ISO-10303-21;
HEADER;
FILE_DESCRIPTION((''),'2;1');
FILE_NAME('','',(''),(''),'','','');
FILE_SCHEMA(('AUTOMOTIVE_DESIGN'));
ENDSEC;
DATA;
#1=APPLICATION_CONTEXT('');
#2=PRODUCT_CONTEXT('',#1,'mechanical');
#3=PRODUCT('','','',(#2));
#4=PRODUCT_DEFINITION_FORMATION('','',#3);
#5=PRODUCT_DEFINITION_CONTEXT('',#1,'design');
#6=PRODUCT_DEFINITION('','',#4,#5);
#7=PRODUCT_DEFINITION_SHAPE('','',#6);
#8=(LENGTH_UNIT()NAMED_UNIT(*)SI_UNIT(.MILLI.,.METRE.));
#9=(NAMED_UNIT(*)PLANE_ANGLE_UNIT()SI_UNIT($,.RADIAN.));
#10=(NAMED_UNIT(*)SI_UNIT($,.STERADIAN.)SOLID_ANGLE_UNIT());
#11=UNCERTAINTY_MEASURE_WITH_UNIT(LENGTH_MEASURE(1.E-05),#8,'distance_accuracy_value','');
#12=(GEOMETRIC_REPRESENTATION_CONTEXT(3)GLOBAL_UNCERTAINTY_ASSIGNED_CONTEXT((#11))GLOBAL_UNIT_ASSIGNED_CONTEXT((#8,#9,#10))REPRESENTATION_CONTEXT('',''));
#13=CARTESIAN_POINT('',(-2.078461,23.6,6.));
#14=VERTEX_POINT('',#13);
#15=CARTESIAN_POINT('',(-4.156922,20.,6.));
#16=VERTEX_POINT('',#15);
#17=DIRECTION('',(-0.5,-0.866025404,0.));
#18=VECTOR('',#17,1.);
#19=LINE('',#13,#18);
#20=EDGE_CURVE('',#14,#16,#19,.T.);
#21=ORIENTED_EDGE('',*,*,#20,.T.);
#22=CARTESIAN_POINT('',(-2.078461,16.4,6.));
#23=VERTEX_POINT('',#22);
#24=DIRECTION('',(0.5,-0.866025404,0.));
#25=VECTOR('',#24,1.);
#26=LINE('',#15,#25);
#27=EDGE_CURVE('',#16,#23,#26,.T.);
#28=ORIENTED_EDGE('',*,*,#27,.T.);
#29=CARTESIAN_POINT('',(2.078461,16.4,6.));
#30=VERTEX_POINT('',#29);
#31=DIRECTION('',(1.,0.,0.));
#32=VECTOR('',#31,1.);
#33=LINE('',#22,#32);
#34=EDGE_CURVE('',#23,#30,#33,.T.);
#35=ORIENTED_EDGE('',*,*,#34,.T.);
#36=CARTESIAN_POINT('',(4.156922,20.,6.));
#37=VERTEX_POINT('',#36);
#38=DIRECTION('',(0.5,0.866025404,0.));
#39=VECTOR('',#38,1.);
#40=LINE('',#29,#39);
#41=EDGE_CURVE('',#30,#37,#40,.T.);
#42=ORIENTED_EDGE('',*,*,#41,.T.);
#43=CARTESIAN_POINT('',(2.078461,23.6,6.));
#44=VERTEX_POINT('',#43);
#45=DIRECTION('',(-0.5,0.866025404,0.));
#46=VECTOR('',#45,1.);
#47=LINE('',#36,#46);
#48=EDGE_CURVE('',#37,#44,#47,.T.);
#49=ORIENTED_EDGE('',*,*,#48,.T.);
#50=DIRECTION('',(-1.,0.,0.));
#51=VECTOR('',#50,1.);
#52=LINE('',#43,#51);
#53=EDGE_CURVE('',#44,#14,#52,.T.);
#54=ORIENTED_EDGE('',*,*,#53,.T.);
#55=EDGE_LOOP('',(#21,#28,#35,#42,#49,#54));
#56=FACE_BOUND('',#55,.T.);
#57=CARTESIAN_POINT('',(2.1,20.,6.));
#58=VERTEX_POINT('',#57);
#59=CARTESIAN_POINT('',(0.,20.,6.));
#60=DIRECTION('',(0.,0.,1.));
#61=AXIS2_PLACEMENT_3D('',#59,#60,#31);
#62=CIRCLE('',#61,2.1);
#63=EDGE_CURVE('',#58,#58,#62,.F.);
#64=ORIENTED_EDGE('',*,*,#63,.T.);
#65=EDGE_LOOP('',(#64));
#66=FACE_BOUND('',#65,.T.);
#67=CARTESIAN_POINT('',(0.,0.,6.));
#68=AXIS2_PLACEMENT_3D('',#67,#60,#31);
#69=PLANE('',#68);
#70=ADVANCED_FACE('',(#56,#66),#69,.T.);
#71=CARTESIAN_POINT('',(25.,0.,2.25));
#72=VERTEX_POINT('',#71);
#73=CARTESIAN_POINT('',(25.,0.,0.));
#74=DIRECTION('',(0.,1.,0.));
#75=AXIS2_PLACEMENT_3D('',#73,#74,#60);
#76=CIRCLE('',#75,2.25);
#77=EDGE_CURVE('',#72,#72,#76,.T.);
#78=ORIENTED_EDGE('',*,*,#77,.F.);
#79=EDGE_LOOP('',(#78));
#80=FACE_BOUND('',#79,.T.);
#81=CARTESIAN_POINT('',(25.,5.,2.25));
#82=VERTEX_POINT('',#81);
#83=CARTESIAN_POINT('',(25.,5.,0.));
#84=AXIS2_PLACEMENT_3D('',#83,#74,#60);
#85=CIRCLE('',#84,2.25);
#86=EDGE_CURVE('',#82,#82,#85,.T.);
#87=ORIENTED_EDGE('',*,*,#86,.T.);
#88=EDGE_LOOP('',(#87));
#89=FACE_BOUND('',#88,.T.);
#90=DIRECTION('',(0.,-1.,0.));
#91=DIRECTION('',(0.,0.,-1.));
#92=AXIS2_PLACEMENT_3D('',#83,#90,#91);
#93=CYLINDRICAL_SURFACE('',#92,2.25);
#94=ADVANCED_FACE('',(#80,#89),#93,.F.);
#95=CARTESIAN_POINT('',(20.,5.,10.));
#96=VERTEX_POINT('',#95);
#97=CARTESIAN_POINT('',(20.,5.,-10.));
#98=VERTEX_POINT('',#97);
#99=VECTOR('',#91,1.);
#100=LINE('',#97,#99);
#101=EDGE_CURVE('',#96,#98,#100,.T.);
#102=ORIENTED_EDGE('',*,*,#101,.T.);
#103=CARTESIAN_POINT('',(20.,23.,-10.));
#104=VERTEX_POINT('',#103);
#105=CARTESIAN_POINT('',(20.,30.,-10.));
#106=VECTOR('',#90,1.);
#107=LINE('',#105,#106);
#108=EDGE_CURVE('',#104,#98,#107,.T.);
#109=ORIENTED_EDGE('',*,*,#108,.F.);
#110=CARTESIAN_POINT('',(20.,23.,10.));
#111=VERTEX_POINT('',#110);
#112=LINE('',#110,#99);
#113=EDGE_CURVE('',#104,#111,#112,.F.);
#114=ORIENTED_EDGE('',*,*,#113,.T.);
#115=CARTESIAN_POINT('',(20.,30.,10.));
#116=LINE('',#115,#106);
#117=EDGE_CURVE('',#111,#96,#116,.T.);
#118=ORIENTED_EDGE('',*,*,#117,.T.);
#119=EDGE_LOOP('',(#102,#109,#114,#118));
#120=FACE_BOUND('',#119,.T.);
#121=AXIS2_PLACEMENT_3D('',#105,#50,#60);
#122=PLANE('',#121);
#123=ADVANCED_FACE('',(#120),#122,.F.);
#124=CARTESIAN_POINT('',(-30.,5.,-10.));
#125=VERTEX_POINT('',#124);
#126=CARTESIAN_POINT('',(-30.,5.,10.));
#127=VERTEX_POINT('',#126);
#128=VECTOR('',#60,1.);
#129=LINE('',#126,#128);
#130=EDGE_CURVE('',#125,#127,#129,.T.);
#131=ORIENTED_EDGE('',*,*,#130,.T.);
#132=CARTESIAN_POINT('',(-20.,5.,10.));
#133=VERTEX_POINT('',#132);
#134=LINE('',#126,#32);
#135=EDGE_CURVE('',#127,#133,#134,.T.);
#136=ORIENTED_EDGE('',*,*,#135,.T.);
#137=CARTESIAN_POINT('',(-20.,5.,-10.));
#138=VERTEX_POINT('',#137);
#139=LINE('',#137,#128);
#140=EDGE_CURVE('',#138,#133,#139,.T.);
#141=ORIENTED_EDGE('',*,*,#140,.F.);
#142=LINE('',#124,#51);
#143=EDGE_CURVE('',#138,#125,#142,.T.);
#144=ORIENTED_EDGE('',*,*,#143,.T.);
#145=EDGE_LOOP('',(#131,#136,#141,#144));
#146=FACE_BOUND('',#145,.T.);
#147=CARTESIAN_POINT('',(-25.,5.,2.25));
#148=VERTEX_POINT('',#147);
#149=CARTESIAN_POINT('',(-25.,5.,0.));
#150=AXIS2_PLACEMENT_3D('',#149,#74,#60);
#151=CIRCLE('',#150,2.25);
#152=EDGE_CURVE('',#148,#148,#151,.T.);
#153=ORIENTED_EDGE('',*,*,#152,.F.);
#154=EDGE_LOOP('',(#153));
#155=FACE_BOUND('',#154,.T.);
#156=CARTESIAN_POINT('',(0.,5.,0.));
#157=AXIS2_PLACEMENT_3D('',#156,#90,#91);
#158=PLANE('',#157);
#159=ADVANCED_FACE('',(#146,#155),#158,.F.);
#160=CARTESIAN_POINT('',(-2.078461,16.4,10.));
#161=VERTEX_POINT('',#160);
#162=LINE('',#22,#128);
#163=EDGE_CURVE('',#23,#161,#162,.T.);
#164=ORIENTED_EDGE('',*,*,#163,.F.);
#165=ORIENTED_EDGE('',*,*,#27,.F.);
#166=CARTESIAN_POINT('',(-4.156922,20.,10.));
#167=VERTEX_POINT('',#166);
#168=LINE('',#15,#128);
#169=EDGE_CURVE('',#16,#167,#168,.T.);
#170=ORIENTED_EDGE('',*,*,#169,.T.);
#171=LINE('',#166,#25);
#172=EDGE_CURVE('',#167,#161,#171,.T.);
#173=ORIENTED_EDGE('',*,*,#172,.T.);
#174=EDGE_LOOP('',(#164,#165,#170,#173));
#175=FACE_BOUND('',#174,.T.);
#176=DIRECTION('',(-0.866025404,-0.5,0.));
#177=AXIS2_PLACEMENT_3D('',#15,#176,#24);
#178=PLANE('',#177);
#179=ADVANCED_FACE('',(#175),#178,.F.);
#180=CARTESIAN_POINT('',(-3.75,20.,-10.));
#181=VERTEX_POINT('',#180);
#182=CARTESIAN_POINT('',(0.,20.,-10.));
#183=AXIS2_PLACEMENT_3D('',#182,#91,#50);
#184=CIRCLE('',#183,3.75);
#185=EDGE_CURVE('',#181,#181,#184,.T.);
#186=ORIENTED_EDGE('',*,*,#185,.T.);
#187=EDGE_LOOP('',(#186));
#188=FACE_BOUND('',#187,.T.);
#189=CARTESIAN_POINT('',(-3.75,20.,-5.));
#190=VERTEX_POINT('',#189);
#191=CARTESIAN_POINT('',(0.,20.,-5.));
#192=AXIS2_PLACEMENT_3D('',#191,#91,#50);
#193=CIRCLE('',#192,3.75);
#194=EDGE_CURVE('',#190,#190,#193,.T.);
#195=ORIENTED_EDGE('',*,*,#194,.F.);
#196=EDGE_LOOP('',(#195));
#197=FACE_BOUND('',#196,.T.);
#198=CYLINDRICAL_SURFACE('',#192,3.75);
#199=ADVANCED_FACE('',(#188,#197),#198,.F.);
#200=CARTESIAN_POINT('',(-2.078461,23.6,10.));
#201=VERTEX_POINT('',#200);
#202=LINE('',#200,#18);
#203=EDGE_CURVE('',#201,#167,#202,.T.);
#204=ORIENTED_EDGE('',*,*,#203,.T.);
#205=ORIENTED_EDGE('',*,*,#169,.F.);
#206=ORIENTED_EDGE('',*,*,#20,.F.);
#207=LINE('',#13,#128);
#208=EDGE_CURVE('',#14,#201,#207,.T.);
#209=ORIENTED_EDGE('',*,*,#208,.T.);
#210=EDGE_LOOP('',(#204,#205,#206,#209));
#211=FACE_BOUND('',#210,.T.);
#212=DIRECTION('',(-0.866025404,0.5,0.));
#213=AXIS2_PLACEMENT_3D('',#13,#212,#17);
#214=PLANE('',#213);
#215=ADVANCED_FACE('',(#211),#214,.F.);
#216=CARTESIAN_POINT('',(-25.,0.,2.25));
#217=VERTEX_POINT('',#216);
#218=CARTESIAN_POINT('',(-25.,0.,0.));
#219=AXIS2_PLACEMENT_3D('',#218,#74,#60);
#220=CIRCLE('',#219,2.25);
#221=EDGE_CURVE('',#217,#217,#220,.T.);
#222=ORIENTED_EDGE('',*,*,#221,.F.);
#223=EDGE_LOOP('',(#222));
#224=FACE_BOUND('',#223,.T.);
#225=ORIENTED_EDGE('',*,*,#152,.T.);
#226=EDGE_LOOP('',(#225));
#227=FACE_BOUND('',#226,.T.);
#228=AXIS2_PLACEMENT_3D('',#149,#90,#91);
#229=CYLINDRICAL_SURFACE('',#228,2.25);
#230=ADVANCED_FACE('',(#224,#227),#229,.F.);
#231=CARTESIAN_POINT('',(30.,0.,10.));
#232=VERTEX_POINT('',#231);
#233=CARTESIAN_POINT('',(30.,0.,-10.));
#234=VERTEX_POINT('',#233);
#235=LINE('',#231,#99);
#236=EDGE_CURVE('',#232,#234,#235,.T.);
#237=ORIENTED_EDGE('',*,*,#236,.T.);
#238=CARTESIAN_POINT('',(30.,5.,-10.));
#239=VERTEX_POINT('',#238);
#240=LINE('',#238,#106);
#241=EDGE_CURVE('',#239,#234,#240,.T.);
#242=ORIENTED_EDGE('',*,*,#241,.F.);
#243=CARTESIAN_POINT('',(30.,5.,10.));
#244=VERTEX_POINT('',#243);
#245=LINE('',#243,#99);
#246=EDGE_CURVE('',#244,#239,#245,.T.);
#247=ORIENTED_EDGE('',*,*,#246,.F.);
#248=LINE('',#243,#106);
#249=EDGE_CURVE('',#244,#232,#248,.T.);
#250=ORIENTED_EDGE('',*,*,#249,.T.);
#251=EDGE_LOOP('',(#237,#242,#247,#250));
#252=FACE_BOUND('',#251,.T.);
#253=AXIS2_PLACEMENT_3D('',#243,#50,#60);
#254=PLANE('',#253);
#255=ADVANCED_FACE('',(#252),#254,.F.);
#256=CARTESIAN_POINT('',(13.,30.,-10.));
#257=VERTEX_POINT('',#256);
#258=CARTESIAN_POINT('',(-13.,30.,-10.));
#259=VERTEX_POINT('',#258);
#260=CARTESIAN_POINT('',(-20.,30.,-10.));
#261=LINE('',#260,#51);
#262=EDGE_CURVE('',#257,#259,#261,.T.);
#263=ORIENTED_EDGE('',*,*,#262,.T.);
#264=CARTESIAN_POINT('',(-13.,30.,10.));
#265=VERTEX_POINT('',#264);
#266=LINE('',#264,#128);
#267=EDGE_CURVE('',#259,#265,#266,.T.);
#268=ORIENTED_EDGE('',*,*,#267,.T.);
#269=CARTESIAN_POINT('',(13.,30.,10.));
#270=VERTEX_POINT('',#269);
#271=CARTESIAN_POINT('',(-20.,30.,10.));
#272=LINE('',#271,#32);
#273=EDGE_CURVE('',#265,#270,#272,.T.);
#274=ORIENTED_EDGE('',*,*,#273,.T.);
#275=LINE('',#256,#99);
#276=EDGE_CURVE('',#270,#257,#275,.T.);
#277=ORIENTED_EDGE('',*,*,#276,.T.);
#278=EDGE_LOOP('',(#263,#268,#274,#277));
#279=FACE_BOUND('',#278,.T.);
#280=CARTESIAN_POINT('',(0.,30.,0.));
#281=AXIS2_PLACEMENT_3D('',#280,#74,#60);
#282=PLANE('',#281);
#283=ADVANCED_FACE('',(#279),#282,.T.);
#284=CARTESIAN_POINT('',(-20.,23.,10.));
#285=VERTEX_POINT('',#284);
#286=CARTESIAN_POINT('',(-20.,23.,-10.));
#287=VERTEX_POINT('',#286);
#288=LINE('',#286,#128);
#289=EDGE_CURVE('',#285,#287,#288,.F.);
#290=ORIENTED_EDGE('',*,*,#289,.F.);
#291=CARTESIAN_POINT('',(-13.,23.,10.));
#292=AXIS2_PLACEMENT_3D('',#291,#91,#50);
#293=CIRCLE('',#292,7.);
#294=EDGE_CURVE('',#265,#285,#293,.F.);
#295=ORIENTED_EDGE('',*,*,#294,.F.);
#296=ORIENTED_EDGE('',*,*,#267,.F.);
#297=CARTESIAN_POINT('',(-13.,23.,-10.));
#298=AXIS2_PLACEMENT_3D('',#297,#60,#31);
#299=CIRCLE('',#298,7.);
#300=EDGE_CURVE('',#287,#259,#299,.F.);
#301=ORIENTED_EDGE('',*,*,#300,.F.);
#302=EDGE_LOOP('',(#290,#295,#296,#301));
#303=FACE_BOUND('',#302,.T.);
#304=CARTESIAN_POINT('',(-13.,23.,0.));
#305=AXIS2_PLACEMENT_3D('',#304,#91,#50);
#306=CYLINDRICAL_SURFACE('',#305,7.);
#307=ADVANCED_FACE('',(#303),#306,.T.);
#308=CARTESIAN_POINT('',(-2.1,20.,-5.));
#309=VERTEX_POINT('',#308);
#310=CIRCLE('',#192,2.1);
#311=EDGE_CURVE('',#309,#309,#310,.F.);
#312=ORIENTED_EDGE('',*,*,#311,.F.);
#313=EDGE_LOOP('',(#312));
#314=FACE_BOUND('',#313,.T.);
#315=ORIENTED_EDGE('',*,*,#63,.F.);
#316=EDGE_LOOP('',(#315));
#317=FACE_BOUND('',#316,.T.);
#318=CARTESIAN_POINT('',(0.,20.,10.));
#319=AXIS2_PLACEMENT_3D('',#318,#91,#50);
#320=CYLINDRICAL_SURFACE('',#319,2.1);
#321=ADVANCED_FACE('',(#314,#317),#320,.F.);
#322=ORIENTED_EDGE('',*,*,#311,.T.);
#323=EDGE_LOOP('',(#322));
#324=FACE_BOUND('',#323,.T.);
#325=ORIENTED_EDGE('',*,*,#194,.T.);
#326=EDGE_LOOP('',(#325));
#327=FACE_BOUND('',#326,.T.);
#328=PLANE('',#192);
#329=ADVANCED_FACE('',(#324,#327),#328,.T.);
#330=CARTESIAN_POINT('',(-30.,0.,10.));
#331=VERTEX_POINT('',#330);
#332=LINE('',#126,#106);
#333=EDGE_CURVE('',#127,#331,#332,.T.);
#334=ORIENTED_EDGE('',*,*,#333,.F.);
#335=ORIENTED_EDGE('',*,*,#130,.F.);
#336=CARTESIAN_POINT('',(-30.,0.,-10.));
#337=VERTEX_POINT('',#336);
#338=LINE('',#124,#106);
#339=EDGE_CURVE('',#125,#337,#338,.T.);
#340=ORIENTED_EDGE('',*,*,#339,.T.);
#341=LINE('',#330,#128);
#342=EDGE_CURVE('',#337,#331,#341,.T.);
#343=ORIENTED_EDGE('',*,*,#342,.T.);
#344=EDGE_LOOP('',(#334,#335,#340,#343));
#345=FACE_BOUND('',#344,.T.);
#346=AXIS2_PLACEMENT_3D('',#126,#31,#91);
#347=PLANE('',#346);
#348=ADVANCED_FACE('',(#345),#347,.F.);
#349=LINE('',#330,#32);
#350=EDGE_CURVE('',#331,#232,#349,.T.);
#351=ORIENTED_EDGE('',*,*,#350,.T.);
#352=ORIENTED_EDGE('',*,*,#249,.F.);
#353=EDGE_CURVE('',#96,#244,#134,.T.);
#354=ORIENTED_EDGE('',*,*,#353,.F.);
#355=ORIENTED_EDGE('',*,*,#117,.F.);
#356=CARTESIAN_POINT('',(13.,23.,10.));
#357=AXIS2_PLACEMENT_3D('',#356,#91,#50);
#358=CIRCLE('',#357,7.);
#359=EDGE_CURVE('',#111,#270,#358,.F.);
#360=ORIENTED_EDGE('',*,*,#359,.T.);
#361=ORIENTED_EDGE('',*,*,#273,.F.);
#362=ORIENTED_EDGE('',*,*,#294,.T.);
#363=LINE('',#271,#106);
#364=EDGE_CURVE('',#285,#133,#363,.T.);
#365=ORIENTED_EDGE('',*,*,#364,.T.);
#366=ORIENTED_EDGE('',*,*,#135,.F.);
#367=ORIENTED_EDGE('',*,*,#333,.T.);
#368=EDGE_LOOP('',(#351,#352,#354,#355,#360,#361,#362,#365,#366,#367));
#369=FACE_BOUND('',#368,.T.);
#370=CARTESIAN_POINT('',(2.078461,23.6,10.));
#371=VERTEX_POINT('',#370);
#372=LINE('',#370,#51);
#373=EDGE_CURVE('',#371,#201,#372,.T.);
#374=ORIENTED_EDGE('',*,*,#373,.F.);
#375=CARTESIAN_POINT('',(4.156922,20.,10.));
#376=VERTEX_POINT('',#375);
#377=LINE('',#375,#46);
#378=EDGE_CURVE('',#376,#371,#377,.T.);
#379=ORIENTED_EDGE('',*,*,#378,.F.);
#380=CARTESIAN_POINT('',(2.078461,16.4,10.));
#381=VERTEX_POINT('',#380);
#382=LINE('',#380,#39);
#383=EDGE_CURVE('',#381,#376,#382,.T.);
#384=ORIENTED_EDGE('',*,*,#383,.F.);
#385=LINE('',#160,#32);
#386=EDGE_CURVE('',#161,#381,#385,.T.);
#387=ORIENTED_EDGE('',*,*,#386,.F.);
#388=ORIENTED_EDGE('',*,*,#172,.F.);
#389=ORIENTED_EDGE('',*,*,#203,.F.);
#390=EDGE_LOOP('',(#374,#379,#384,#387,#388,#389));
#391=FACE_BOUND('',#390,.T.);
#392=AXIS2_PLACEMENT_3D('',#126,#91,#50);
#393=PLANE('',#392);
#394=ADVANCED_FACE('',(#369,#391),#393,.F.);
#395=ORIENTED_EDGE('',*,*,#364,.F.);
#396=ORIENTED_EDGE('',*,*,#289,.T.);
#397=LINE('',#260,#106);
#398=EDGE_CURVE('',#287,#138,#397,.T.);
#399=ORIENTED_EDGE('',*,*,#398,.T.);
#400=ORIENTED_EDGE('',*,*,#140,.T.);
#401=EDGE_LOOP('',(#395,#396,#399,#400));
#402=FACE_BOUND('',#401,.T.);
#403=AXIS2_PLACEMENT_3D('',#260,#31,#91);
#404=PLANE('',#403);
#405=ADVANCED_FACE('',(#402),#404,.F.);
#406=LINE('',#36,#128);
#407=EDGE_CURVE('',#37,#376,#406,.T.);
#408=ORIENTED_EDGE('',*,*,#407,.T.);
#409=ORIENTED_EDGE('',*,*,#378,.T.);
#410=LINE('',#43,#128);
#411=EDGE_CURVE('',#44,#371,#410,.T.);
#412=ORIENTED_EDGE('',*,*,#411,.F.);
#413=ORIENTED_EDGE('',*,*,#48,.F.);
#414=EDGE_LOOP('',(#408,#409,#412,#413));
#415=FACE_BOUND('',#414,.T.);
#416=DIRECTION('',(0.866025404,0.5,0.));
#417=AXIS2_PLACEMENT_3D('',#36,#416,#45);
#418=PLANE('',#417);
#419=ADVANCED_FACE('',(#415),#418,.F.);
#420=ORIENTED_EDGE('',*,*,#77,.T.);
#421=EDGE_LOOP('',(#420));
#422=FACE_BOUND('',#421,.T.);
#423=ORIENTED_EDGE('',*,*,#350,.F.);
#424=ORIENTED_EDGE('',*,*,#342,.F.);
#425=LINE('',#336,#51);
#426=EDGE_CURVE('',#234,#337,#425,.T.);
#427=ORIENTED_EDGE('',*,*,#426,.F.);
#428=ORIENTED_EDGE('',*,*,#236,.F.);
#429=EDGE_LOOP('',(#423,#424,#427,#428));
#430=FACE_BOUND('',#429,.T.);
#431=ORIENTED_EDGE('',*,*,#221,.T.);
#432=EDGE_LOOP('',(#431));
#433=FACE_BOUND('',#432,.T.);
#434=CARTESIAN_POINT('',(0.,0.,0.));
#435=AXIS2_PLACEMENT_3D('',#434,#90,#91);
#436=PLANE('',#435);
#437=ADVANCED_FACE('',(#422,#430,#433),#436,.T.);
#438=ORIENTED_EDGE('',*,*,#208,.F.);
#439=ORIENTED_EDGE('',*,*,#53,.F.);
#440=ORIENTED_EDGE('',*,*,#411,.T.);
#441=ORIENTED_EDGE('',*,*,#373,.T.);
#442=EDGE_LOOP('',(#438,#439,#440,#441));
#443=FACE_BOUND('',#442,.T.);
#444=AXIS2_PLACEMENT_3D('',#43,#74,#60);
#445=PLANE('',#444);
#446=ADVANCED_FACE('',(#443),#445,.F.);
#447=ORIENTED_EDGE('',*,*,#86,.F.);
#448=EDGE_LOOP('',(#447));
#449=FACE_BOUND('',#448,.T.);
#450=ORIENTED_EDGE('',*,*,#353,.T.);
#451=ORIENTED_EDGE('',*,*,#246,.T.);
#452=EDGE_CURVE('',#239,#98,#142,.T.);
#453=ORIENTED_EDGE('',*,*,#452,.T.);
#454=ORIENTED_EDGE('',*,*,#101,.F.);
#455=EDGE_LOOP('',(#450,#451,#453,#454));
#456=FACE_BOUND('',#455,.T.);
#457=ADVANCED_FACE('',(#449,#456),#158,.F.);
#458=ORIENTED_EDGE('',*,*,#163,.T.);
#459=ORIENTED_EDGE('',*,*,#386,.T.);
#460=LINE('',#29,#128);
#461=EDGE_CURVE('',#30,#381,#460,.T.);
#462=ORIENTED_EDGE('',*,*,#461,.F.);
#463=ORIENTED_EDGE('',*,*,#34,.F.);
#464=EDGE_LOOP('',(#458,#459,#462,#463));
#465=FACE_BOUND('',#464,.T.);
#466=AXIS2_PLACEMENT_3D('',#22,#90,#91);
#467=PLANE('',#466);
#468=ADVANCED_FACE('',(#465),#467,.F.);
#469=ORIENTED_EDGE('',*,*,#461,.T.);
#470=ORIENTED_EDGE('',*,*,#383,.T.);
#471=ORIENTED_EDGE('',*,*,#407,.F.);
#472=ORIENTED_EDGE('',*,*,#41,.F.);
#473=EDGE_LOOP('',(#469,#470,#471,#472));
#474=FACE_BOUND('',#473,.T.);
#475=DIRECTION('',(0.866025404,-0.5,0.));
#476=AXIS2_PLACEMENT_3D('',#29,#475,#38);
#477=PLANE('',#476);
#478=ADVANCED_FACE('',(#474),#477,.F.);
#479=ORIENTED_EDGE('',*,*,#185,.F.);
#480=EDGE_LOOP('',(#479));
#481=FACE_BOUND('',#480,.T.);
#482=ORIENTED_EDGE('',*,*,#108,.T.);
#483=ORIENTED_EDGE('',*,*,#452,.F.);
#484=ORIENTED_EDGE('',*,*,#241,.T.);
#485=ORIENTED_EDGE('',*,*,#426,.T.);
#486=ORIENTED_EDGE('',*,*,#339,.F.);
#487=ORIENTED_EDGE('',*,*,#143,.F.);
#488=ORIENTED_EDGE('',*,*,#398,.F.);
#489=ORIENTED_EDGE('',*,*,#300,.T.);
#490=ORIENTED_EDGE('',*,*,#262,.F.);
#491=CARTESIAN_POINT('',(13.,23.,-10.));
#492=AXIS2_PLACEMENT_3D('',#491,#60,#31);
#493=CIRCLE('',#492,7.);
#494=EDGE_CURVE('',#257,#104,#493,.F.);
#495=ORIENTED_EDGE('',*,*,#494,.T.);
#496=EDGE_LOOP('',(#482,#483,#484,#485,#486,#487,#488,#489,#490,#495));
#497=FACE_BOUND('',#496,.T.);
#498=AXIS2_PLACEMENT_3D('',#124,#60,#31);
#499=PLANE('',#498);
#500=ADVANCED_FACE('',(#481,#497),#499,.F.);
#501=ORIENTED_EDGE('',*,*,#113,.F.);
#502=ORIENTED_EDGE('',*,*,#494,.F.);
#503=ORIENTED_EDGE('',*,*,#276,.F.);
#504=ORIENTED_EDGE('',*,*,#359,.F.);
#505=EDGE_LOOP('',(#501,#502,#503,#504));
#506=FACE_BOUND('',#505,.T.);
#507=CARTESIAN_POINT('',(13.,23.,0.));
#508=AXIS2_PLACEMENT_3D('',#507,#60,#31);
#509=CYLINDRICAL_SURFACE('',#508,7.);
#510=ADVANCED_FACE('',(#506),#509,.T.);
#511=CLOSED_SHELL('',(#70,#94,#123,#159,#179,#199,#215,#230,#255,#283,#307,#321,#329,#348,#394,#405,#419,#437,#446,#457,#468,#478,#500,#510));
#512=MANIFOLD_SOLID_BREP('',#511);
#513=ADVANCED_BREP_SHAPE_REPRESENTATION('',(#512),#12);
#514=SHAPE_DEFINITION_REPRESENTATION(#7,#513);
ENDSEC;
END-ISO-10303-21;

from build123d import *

# Parameters (mm, degrees)
SKETCH1_W               = 60
SKETCH1_H               = 20
SKETCH1_R               = 2.25
BOSS_EXTRUDE1_DEPTH     = 5
SKETCH2_W               = 40
SKETCH2_H               = 20
BOSS_EXTRUDE2_DEPTH     = 25
SKETCH3_R               = 2.1
CUT_EXTRUDE1_DEPTH      = 1
CUT_EXTRUDE1_DEPTH_BACK = 21
SKETCH4_R               = 3.75
CUT_EXTRUDE2_DEPTH      = 5
CUT_EXTRUDE3_DEPTH      = 4
FILLET1_R               = 7


with BuildPart() as part:
    # Sketch1 → Boss-Extrude1 (new body)
    with BuildSketch(Plane(origin=(0, 0, 0), x_dir=(1, 0, 0), z_dir=(0, 1, 0))):
        Rectangle(SKETCH1_W, SKETCH1_H)
        with Locations((-25, 0)):
            Circle(SKETCH1_R, mode=Mode.SUBTRACT)
        with Locations((25, 0)):
            Circle(SKETCH1_R, mode=Mode.SUBTRACT)
    extrude(amount=BOSS_EXTRUDE1_DEPTH)

    # Sketch2 → Boss-Extrude2 (add)
    with BuildSketch(Plane(origin=(0, 5, 0), x_dir=(1, 0, 0), z_dir=(0, 1, 0))):
        Rectangle(SKETCH2_W, SKETCH2_H)
    extrude(amount=BOSS_EXTRUDE2_DEPTH)

    # Sketch3 → Cut-Extrude1 (cut, two sides)
    with BuildSketch(Plane(origin=(0, 0, -10), x_dir=(-1, 0, 0), z_dir=(0, 0, -1))) as cut_extrude1_sk:
        with Locations((0, 20)):
            Circle(SKETCH3_R)
    extrude(amount=CUT_EXTRUDE1_DEPTH, mode=Mode.SUBTRACT)
    extrude(cut_extrude1_sk.sketch, amount=-CUT_EXTRUDE1_DEPTH_BACK, mode=Mode.SUBTRACT)

    # Sketch4 → Cut-Extrude2 (cut)
    with BuildSketch(Plane(origin=(0, 0, -10), x_dir=(-1, 0, 0), z_dir=(0, 0, -1))):
        with Locations((0, 20)):
            Circle(SKETCH4_R)
    extrude(amount=-CUT_EXTRUDE2_DEPTH, mode=Mode.SUBTRACT)

    # Sketch5 → Cut-Extrude3 (cut)
    with BuildSketch(Plane.XY.offset(10)):
        Polygon((2.078460969, 23.6), (-2.078460969, 23.6), (-4.156921938, 20), (-2.078460969, 16.4), (2.078460969, 16.4), (4.156921938, 20), align=None)
    extrude(amount=-CUT_EXTRUDE3_DEPTH, mode=Mode.SUBTRACT)

    # Fillet1
    fillet1_edges = [part.edges().sort_by_distance(p)[0] for p in [
        (-20, 30, 0),
        (20, 30, 0),
    ]]
    fillet(fillet1_edges, radius=FILLET1_R)


solid = part.part
